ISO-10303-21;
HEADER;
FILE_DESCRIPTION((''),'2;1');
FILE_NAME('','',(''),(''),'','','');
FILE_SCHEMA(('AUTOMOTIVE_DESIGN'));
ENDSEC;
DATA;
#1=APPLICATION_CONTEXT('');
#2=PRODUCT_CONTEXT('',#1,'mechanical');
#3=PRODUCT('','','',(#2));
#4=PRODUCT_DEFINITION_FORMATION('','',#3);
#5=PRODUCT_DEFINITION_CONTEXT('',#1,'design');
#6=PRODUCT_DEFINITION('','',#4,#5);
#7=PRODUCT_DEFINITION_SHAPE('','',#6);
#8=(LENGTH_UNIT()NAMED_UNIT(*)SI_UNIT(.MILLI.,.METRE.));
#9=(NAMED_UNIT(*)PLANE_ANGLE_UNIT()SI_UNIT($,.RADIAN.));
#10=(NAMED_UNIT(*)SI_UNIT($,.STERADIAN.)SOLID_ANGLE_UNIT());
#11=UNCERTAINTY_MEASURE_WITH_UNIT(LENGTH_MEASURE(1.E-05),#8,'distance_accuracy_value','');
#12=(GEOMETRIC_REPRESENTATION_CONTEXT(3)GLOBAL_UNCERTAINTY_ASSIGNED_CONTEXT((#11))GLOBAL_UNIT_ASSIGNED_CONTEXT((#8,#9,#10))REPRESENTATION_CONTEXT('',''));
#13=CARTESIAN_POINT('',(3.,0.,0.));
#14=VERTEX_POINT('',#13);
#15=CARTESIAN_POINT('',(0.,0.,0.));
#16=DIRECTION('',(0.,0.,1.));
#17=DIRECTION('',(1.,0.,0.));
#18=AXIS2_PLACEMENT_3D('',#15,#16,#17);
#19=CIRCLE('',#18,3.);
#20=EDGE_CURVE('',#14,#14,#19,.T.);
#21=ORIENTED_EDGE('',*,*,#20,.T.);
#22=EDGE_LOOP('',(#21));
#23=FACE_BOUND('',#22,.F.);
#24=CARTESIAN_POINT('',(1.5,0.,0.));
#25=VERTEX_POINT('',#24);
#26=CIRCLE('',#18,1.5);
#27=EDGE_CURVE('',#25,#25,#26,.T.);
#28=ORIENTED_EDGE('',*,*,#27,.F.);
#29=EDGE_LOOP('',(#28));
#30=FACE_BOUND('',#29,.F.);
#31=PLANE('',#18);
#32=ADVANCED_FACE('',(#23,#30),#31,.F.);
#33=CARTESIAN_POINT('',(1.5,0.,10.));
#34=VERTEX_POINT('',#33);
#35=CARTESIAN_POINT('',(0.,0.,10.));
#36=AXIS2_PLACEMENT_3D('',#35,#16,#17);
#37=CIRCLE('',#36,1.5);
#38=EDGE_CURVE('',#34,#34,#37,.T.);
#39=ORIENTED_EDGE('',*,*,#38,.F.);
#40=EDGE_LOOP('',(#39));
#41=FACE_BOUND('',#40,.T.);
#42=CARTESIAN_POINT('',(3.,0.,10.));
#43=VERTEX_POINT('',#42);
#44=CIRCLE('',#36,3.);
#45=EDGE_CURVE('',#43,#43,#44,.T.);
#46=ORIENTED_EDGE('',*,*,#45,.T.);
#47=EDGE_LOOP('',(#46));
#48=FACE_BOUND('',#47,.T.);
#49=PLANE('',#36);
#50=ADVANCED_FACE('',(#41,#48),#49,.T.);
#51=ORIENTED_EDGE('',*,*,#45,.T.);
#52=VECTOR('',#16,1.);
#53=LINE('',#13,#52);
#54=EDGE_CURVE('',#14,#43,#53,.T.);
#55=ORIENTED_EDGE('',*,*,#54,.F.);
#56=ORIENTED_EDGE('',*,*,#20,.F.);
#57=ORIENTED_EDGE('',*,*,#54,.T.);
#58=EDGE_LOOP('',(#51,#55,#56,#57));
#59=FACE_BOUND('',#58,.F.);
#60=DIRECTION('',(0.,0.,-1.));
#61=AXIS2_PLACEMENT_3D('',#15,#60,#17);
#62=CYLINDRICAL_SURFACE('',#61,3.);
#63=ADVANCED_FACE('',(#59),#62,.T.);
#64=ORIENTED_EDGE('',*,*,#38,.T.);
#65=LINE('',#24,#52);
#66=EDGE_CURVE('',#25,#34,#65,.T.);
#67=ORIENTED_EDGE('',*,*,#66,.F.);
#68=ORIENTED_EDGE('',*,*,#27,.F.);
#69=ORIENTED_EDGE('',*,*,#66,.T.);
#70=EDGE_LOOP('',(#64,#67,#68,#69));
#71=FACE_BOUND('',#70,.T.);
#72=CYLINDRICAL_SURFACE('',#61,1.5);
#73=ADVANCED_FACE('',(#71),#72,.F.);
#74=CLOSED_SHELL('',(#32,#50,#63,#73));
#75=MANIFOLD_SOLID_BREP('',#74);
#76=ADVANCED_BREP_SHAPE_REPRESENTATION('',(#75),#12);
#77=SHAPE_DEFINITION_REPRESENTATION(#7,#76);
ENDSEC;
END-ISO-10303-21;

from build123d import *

# Parameters (mm, degrees)
SZKIC1_R                    = 3
SZKIC1_R_2                  = 1.5
DODANIE_WYCI_GNI_CIE1_DEPTH = 10


with BuildPart() as part:
    # Szkic1 → Dodanie-wyciągnięcie1 (new body)
    with BuildSketch(Plane.XY):
        Circle(SZKIC1_R)
        Circle(SZKIC1_R_2, mode=Mode.SUBTRACT)
    extrude(amount=DODANIE_WYCI_GNI_CIE1_DEPTH)


solid = part.part
